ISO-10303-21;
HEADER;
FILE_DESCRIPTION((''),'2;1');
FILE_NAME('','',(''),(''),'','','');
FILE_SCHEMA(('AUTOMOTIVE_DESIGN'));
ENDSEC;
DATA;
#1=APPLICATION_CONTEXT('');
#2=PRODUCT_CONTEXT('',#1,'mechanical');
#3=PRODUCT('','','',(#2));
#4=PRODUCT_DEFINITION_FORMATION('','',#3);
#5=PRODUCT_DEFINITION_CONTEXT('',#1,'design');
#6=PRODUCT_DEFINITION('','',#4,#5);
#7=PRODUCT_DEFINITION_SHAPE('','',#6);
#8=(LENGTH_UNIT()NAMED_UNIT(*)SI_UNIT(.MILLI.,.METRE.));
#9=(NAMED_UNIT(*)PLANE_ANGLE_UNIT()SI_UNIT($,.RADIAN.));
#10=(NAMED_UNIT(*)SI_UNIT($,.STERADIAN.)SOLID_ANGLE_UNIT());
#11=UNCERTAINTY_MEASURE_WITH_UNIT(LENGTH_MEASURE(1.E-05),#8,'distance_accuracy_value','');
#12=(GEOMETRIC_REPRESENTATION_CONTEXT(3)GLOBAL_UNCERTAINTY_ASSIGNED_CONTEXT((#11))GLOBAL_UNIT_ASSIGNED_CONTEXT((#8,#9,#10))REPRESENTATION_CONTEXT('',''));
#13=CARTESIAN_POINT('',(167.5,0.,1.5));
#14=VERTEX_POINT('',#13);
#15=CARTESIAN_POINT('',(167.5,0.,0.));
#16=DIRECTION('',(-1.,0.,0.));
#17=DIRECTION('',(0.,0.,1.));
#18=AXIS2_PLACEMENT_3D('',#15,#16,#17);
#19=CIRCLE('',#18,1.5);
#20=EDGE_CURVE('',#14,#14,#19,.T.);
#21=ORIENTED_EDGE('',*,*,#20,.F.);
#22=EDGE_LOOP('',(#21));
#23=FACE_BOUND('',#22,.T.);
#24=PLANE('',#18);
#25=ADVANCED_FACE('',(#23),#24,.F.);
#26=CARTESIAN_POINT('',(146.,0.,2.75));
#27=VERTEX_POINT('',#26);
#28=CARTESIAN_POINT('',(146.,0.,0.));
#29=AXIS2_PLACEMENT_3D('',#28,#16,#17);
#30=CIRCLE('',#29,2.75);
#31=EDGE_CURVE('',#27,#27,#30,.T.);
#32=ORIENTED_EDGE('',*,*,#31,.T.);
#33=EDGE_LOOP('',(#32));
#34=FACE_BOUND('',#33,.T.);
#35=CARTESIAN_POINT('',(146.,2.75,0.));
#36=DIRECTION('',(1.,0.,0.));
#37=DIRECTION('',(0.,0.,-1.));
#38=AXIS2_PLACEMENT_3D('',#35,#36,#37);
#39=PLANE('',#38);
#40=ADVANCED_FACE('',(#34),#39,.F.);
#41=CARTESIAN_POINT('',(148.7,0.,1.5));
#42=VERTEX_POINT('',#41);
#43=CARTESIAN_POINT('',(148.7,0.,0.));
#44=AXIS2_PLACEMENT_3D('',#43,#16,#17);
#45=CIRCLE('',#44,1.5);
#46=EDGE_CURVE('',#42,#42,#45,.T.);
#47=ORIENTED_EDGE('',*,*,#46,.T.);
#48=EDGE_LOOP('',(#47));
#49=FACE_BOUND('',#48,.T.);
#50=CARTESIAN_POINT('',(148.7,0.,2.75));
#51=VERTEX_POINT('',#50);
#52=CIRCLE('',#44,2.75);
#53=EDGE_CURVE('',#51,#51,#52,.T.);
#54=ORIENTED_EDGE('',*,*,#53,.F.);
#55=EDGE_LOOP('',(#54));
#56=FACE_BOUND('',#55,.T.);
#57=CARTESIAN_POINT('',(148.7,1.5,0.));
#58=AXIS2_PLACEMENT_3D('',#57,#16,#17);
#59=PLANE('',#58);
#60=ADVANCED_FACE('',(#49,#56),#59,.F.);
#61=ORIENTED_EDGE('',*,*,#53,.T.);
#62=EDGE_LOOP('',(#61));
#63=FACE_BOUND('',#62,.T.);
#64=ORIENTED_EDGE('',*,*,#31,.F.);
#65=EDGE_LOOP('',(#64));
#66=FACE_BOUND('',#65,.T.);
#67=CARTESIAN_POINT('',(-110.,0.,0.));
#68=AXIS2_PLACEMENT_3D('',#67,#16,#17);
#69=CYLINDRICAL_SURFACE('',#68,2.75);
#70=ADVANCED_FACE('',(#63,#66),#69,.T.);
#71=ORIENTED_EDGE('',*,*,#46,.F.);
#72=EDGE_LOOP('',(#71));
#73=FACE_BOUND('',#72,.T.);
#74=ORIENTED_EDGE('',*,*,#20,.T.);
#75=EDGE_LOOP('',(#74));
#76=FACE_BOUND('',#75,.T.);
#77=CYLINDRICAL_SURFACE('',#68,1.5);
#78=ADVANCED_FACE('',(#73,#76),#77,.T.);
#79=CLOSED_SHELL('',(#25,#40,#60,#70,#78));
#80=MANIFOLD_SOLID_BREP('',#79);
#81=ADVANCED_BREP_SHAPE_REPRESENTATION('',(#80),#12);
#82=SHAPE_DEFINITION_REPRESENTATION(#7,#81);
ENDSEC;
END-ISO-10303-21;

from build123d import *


with BuildPart() as part:
    # Axial profile (mm) → Full revolution (revolve)
    with BuildSketch(Plane.XY, mode=Mode.PRIVATE) as full_revolution_sk:
        Polygon((146, 0), (167.5, 0), (167.5, 1.5), (148.7, 1.5), (148.7, 2.75), (146, 2.75), align=None)
    revolve(full_revolution_sk.sketch.rotate(Axis((-110, 0, 0), (1, 0, 0)), 90), axis=Axis((-110, 0, 0), (1, 0, 0)))


solid = part.part
